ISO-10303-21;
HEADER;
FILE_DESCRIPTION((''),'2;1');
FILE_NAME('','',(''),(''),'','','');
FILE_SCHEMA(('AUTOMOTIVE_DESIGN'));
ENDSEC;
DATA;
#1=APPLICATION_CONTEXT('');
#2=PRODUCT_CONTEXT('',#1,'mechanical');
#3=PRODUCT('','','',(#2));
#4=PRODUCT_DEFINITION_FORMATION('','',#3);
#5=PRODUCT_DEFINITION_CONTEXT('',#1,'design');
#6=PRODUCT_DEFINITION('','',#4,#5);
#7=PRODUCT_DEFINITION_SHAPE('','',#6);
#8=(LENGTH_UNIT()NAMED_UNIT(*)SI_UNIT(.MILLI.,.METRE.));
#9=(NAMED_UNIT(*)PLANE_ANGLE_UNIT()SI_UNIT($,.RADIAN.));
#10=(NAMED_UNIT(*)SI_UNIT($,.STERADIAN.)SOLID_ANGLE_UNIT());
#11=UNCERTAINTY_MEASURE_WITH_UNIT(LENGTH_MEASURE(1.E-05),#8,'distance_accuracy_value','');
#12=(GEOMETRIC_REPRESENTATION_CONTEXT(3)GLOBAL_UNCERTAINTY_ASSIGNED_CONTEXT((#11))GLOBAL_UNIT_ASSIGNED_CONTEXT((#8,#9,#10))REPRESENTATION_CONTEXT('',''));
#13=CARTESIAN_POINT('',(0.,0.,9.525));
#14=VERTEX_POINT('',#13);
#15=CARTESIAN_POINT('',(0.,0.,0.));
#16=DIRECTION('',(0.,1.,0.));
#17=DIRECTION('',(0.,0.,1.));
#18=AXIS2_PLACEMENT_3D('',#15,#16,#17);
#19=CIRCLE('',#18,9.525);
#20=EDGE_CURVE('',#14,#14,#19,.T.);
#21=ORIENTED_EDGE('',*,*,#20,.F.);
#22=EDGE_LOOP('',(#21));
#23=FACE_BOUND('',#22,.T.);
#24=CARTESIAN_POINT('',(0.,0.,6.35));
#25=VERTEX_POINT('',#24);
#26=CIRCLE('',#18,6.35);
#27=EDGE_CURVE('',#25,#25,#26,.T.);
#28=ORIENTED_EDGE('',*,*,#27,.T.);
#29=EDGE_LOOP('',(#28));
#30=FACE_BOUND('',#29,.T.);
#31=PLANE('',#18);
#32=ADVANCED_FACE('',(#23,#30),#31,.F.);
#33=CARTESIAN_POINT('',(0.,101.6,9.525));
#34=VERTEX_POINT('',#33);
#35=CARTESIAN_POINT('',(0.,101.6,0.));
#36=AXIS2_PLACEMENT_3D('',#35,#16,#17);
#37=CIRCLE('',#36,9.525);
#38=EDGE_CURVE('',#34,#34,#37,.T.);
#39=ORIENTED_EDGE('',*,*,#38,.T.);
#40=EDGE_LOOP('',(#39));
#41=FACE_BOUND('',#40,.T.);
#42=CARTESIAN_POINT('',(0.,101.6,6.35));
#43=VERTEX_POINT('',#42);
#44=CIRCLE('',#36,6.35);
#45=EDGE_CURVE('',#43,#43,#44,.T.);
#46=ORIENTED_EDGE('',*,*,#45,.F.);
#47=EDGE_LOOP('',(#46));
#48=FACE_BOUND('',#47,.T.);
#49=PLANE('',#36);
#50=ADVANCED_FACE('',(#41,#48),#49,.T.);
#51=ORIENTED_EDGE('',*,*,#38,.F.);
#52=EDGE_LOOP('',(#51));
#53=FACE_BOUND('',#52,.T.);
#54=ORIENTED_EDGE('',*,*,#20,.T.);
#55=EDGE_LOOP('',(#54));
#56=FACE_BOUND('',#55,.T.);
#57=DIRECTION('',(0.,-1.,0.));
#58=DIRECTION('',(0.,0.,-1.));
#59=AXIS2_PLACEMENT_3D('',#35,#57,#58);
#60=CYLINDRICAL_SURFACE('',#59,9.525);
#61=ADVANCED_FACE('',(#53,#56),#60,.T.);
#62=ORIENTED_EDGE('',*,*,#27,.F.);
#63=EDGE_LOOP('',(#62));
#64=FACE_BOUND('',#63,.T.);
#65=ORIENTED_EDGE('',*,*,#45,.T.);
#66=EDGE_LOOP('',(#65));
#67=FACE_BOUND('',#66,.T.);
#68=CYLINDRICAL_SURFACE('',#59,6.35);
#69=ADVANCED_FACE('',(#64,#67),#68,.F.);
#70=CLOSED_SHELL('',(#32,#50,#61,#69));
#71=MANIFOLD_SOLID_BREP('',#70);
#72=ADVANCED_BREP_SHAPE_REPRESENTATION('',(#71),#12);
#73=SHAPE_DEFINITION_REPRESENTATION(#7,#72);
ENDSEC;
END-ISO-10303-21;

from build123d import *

# Parameters (mm, degrees)
SKETCH1_R           = 9.525
SKETCH1_R_2         = 6.35
BOSS_EXTRUDE1_DEPTH = 101.6


with BuildPart() as part:
    # Sketch1 → Boss-Extrude1 (new body)
    with BuildSketch(Plane(origin=(0, 0, 0), x_dir=(1, 0, 0), z_dir=(0, 1, 0))):
        with Locations(Location((0, 0, 0), (0, 0, 270))):
            Circle(SKETCH1_R)
        with Locations(Location((0, 0, 0), (0, 0, 270))):
            Circle(SKETCH1_R_2, mode=Mode.SUBTRACT)
    extrude(amount=BOSS_EXTRUDE1_DEPTH)


solid = part.part
